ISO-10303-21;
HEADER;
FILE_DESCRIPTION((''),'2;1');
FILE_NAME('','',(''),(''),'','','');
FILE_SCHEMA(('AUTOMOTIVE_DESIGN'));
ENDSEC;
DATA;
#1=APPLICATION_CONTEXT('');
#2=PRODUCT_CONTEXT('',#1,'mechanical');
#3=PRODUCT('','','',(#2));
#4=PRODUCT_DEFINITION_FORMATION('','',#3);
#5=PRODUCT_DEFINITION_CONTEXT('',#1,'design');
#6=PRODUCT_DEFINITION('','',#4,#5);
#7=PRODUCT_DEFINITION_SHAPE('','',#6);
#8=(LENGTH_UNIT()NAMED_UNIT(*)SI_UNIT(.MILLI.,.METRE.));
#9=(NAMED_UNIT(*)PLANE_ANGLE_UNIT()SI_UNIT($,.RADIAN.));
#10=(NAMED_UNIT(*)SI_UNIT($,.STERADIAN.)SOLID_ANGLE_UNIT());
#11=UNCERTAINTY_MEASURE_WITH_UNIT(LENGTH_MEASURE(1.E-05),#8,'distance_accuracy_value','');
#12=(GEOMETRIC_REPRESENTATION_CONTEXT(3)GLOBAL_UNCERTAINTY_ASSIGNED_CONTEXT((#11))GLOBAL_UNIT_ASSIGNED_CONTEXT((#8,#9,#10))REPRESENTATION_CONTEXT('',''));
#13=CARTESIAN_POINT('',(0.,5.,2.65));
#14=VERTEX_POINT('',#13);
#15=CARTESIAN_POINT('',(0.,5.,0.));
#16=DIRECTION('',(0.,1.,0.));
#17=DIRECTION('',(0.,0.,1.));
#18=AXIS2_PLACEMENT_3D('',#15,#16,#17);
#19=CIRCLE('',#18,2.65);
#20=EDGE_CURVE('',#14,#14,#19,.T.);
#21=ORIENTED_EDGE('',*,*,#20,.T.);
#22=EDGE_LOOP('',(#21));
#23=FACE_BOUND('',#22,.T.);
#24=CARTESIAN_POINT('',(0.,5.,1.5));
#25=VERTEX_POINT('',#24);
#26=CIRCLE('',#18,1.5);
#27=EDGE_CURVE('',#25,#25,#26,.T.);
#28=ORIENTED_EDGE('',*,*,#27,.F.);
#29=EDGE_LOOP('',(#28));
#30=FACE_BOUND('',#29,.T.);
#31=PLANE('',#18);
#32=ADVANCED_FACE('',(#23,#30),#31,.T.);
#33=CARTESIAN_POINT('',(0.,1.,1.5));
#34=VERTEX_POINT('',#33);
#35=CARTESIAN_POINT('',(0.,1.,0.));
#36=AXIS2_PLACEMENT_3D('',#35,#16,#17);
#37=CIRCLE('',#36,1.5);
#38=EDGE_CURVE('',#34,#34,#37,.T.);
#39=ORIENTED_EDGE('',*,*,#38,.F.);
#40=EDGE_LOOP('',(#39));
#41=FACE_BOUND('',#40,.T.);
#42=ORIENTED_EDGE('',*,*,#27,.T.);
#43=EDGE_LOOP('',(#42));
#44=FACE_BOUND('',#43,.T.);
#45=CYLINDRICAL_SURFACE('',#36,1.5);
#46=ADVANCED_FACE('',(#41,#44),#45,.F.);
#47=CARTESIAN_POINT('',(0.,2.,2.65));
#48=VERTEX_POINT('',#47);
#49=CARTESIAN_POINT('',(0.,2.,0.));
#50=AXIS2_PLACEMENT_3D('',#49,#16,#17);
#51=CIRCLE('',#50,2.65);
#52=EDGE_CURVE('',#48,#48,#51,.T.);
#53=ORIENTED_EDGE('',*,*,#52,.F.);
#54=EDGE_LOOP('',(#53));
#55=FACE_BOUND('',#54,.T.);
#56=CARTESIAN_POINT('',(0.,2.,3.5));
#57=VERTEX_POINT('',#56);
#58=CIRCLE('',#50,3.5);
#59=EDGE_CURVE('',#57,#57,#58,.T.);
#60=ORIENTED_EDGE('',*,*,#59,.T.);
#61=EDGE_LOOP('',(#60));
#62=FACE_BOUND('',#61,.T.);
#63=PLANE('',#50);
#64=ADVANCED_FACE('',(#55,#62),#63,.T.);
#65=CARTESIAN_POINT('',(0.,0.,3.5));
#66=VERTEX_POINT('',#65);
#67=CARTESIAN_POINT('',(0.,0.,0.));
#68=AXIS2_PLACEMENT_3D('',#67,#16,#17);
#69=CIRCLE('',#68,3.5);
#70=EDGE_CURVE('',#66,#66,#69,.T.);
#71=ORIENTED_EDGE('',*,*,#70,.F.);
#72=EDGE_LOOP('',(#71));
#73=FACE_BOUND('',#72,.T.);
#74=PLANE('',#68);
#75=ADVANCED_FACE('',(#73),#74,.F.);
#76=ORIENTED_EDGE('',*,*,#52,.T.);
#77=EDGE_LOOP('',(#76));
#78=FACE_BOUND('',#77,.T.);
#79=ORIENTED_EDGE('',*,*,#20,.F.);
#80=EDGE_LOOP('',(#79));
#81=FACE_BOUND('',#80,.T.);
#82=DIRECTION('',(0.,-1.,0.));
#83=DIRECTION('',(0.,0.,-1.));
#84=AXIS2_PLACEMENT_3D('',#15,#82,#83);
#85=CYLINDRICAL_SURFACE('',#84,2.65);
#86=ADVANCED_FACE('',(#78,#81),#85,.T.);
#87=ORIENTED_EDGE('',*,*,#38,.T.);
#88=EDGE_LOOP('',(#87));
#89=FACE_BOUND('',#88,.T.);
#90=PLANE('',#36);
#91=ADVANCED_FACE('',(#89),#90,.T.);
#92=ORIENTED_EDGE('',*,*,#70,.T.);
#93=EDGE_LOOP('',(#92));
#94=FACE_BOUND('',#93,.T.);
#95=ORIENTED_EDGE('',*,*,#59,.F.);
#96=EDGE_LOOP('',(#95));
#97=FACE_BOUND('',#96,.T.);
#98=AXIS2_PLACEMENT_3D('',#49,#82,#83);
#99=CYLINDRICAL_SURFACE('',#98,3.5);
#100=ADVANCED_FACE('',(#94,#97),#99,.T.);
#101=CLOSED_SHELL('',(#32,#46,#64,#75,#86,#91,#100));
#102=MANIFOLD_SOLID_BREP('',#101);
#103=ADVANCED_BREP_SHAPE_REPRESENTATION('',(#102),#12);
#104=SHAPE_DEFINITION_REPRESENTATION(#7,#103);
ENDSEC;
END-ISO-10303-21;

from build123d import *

# Parameters (mm, degrees)
ESBO_O1_R                = 3.5
RESSALTO_EXTRUS_O1_DEPTH = 2
ESBO_O2_R                = 2.65
RESSALTO_EXTRUS_O2_DEPTH = 3
ESBO_O3_R                = 1.5
CORTE_EXTRUS_O1_DEPTH    = 4


with BuildPart() as part:
    # Esboço1 → Ressalto-extrusão1 (new body)
    with BuildSketch(Plane(origin=(0, 0, 0), x_dir=(1, 0, 0), z_dir=(0, 1, 0))):
        Circle(ESBO_O1_R)
    extrude(amount=RESSALTO_EXTRUS_O1_DEPTH)

    # Esboço2 → Ressalto-extrusão2 (add)
    with BuildSketch(Plane(origin=(0, 2, 0), x_dir=(1, 0, 0), z_dir=(0, 1, 0))):
        Circle(ESBO_O2_R)
    extrude(amount=RESSALTO_EXTRUS_O2_DEPTH)

    # Esboço3 → Corte-extrusão1 (cut)
    with BuildSketch(Plane(origin=(0, 5, 0), x_dir=(1, 0, 0), z_dir=(0, 1, 0))):
        Circle(ESBO_O3_R)
    extrude(amount=-CORTE_EXTRUS_O1_DEPTH, mode=Mode.SUBTRACT)


solid = part.part
